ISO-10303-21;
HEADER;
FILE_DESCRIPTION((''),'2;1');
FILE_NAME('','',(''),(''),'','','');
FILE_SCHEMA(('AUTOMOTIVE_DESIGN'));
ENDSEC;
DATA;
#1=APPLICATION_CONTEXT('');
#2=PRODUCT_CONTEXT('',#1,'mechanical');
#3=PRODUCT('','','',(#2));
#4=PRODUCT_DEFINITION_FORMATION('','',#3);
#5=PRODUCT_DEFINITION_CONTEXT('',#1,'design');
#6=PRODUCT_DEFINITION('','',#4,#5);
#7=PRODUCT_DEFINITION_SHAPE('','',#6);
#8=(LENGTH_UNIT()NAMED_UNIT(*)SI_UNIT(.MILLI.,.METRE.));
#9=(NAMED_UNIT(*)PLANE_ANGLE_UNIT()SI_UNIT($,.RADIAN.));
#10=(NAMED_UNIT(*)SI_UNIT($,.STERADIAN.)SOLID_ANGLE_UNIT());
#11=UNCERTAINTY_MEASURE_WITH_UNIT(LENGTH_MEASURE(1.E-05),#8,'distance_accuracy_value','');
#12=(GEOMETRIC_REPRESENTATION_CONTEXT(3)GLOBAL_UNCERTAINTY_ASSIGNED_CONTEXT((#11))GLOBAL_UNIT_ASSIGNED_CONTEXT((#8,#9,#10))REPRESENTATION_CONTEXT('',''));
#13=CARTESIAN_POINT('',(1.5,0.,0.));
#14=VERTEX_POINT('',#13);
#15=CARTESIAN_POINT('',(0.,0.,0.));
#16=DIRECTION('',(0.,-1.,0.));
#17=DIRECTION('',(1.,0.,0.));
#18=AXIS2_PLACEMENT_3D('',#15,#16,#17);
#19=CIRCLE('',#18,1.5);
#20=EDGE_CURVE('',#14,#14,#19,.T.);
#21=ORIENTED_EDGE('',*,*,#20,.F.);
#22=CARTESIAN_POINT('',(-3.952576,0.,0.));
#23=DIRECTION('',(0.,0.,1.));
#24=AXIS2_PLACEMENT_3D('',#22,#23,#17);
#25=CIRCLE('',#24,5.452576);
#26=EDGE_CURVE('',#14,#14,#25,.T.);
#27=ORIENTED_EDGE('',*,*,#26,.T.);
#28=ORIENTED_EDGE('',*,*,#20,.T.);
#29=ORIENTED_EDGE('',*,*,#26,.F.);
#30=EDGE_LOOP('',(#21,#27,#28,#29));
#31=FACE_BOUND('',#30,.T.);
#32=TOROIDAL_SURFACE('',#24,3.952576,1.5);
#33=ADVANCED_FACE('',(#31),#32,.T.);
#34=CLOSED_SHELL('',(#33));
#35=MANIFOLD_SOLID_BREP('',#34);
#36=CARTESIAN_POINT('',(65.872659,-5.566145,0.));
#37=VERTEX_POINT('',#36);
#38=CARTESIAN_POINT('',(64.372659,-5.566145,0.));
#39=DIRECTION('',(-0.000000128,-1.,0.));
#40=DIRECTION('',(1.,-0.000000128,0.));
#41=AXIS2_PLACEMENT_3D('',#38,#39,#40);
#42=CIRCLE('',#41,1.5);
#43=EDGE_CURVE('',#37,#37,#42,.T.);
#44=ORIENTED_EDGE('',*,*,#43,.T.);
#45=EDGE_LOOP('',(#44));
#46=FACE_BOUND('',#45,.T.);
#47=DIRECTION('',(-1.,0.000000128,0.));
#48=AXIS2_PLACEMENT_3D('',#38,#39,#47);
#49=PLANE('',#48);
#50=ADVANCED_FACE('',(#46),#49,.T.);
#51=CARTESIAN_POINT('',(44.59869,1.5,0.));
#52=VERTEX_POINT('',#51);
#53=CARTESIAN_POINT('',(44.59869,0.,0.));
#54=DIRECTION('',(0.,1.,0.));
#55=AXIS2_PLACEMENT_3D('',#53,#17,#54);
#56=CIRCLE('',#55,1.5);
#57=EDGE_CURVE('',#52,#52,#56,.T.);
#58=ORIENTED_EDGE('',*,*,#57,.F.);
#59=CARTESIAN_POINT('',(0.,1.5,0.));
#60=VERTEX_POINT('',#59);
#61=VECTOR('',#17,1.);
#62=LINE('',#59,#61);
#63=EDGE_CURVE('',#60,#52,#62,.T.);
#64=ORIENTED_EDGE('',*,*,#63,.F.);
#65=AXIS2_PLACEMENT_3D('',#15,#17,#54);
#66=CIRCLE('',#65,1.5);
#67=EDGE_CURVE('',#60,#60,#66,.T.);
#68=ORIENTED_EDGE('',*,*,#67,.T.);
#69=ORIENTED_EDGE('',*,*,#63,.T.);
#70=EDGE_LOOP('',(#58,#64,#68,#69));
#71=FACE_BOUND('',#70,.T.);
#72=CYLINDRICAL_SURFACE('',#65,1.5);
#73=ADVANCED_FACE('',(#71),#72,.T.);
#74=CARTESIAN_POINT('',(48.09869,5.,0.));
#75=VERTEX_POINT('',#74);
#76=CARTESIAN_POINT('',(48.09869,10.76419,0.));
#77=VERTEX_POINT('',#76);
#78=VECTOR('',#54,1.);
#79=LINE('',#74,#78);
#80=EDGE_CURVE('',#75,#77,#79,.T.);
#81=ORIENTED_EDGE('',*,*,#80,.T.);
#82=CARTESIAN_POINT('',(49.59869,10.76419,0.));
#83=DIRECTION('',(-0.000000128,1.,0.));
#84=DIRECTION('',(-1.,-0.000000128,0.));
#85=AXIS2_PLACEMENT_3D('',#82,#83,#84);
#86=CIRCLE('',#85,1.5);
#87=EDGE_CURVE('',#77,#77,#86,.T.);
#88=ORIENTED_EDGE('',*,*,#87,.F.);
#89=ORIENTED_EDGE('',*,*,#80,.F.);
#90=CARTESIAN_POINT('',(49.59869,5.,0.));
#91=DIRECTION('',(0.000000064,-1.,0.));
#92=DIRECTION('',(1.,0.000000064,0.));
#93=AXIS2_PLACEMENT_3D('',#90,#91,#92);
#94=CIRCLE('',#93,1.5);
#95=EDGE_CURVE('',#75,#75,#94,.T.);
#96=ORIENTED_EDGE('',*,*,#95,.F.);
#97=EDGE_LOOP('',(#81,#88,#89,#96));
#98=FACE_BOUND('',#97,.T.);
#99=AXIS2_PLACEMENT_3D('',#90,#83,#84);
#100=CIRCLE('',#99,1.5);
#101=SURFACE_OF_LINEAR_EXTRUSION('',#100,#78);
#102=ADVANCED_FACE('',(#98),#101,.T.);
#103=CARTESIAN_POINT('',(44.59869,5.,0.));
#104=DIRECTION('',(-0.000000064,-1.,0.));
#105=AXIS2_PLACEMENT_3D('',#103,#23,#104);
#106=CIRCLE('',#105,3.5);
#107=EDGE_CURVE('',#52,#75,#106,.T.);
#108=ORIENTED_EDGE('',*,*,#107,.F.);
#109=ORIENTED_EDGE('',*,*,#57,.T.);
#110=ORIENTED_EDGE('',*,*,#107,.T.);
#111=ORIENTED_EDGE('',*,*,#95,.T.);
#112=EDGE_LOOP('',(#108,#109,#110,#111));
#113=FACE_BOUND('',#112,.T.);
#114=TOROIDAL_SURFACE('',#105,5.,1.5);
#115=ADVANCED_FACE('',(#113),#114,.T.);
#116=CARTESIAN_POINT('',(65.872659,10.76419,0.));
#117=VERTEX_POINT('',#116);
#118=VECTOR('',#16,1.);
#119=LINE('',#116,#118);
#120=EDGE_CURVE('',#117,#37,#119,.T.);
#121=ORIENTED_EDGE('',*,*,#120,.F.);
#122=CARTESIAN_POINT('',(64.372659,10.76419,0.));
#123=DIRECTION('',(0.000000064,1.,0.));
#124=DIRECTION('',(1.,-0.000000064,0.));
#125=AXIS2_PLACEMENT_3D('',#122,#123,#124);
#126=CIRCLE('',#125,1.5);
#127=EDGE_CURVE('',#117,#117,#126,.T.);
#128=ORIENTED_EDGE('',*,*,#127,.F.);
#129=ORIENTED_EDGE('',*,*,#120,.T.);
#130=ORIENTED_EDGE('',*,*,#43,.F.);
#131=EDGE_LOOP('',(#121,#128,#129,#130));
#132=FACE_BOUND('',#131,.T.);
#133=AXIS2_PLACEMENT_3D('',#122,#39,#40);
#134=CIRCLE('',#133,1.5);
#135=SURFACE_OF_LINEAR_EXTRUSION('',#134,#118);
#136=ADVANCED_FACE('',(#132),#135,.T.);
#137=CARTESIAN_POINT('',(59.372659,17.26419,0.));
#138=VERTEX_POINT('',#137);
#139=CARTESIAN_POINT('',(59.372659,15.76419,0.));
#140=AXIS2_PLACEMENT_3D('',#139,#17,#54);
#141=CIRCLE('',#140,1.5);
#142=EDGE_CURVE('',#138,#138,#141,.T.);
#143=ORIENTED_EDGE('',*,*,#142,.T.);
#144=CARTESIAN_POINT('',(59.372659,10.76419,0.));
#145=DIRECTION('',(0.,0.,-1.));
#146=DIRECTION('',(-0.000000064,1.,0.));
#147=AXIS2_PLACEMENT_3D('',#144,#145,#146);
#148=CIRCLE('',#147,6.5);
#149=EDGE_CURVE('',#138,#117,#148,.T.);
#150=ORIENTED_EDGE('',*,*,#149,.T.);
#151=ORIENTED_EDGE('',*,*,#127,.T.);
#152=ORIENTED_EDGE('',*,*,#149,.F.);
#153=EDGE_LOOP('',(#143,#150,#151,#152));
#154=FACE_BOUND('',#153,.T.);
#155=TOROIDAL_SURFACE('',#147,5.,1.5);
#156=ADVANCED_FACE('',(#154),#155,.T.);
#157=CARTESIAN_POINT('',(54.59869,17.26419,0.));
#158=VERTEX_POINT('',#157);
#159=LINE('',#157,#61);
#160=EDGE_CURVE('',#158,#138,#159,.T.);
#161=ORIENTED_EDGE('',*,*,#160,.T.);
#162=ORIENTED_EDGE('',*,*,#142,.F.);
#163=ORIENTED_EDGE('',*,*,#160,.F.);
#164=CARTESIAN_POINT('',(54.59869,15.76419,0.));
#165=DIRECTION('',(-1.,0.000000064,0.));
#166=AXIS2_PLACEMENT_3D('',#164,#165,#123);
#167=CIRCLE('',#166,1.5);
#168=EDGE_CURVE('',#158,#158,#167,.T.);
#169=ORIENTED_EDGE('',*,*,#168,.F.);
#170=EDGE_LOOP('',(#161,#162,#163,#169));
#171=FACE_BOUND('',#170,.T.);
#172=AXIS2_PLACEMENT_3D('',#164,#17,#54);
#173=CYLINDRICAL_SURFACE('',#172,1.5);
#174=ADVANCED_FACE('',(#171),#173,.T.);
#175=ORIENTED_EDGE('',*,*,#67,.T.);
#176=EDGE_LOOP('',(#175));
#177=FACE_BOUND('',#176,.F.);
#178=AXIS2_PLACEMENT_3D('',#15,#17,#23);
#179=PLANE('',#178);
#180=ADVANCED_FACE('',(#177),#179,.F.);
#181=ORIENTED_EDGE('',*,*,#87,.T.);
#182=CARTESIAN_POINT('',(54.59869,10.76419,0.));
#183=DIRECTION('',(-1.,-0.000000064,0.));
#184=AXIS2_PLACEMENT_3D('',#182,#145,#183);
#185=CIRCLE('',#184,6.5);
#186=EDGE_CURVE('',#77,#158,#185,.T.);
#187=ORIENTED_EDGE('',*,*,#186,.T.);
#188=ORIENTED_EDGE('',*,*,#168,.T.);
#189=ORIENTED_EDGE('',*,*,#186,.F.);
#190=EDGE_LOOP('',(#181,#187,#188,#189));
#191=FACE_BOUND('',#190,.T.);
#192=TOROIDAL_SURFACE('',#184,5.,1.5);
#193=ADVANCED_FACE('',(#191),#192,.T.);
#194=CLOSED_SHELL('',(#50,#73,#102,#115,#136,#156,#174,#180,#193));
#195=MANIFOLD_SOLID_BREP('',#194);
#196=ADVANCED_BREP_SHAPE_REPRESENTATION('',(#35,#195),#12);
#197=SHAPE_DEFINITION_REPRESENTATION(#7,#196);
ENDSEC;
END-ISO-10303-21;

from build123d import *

# Parameters (mm, degrees)
F1_R = 1.5
F3_R = 1.5


with BuildPart() as f2:
    # F2: sweep along a path in F0
    with BuildLine(Plane.XY) as f2_path:
        Line((0, 0), (44.59869, 0))
        ThreePointArc((44.59869, 0), (48.134224, 1.464466), (49.59869, 5))
        Line((49.59869, 5), (49.59869, 10.76419))
        ThreePointArc((49.59869, 10.76419), (51.063156, 14.299724), (54.59869, 15.76419))
        Line((54.59869, 15.76419), (59.372659, 15.76419))
        ThreePointArc((59.372659, 15.76419), (62.908193, 14.299724), (64.372659, 10.76419))
        Line((64.372659, 10.76419), (64.372659, -5.566145))
    # F1 (on Right) → F2 (sweep)
    with BuildSketch(Plane.YZ):
        Circle(F1_R)
    sweep(path=f2_path.line)


with BuildPart() as f4:
    # F4: sweep along a path in F0
    with BuildLine(Plane.XY) as f4_path:
        CenterArc((-3.952576, 0), 3.952576, 0, 360)
    # F3 (on Front) → F4 (sweep)
    with BuildSketch(Plane.XZ):
        Circle(F3_R)
    sweep(path=f4_path.line)


solid = Compound([f2.part, f4.part])
